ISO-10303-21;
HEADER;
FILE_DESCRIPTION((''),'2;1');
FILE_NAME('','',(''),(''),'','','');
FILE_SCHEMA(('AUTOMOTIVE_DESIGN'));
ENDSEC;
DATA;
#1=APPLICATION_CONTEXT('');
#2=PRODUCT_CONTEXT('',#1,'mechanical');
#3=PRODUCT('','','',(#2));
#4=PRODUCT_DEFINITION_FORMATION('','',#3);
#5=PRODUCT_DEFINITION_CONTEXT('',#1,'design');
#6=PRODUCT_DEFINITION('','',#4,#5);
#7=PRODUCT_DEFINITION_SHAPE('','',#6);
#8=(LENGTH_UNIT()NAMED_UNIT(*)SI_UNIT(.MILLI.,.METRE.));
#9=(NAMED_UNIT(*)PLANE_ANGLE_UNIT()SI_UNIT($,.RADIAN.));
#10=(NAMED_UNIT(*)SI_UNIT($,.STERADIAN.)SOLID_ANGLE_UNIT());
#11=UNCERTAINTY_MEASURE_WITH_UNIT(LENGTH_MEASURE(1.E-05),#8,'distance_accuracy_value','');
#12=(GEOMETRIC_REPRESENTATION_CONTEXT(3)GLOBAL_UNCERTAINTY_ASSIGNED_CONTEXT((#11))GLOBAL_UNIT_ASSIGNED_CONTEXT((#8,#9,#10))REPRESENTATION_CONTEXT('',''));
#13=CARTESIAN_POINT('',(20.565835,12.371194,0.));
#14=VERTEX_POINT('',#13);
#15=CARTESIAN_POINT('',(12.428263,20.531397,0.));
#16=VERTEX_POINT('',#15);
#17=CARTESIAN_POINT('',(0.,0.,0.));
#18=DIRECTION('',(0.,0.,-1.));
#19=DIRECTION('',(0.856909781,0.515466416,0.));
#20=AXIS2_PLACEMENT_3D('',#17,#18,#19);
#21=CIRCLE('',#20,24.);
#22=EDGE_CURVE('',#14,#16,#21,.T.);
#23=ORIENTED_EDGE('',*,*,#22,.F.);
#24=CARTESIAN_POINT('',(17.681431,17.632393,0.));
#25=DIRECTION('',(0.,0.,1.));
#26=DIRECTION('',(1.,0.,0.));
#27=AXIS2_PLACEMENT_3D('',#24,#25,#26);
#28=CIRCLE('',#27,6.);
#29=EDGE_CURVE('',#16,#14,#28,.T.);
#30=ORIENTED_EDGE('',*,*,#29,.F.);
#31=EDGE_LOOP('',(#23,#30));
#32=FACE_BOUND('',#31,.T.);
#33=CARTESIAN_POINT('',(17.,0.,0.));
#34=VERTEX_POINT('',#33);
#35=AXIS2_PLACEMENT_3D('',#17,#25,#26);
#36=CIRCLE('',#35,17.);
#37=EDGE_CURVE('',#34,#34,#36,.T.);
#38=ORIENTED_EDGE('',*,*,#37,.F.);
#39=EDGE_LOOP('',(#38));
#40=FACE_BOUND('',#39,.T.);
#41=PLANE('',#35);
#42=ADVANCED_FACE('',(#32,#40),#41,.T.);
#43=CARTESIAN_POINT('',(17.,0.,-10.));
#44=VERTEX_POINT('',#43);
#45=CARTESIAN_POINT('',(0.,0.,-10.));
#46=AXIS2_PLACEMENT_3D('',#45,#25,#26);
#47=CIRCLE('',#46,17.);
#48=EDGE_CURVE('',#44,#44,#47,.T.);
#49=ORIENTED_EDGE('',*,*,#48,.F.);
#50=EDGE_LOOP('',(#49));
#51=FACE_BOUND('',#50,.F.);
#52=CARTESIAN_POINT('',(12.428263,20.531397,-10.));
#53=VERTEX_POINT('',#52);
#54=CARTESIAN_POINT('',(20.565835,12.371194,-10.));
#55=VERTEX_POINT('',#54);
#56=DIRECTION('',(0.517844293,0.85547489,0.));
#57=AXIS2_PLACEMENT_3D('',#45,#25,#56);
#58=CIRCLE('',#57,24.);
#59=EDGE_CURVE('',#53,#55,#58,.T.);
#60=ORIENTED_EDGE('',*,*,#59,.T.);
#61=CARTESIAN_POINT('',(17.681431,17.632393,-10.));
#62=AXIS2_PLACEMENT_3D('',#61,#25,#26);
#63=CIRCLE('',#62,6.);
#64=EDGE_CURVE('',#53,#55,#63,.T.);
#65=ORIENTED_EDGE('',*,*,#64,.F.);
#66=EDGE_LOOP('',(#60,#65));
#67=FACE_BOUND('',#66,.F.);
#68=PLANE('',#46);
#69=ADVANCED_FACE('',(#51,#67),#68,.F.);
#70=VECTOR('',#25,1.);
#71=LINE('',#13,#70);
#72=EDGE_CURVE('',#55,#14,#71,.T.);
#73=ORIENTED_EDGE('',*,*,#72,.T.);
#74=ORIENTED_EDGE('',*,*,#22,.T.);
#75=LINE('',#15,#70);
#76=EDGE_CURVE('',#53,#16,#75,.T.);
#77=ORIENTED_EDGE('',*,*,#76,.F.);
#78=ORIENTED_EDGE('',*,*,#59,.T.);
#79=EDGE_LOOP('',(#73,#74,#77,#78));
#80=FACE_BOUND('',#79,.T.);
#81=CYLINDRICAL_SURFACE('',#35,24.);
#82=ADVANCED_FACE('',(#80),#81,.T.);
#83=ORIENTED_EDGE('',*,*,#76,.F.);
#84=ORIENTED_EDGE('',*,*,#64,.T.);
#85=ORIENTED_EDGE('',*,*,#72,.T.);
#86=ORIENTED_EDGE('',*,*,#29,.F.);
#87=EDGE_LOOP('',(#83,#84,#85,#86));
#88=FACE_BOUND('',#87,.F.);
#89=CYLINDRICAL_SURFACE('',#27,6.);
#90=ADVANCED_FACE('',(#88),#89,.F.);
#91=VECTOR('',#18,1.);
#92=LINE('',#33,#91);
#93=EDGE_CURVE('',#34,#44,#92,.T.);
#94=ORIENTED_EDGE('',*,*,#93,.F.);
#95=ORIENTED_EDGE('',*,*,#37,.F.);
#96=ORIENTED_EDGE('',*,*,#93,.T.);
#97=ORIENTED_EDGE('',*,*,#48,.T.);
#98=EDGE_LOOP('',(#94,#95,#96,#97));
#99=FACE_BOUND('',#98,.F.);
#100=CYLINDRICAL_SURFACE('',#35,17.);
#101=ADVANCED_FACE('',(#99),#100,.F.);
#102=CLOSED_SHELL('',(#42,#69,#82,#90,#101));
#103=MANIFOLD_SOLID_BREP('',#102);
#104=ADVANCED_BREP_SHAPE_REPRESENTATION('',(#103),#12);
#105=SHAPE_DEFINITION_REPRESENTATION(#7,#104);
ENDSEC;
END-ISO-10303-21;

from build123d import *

# Parameters (mm, degrees)
SKETCH003_R       = 24
SKETCH003_R_2     = 17
PAD_DEPTH         = 10
SKETCH005_R       = 6
POCKET_DEPTH      = 10.001
POCKET_DEPTH_BACK = 0.001


with BuildPart() as part:
    # Sketch003 → Pad (new body)
    with BuildSketch(Plane.XY):
        Circle(SKETCH003_R)
        Circle(SKETCH003_R_2, mode=Mode.SUBTRACT)
    extrude(amount=-PAD_DEPTH)

    # Sketch005 → Pocket (cut, two sides)
    with BuildSketch(Plane.XY) as pocket_sk:
        with Locations((17.681431, 17.632393)):
            Circle(SKETCH005_R)
    extrude(amount=-POCKET_DEPTH, mode=Mode.SUBTRACT)
    extrude(pocket_sk.sketch, amount=POCKET_DEPTH_BACK, mode=Mode.SUBTRACT)


solid = part.part
